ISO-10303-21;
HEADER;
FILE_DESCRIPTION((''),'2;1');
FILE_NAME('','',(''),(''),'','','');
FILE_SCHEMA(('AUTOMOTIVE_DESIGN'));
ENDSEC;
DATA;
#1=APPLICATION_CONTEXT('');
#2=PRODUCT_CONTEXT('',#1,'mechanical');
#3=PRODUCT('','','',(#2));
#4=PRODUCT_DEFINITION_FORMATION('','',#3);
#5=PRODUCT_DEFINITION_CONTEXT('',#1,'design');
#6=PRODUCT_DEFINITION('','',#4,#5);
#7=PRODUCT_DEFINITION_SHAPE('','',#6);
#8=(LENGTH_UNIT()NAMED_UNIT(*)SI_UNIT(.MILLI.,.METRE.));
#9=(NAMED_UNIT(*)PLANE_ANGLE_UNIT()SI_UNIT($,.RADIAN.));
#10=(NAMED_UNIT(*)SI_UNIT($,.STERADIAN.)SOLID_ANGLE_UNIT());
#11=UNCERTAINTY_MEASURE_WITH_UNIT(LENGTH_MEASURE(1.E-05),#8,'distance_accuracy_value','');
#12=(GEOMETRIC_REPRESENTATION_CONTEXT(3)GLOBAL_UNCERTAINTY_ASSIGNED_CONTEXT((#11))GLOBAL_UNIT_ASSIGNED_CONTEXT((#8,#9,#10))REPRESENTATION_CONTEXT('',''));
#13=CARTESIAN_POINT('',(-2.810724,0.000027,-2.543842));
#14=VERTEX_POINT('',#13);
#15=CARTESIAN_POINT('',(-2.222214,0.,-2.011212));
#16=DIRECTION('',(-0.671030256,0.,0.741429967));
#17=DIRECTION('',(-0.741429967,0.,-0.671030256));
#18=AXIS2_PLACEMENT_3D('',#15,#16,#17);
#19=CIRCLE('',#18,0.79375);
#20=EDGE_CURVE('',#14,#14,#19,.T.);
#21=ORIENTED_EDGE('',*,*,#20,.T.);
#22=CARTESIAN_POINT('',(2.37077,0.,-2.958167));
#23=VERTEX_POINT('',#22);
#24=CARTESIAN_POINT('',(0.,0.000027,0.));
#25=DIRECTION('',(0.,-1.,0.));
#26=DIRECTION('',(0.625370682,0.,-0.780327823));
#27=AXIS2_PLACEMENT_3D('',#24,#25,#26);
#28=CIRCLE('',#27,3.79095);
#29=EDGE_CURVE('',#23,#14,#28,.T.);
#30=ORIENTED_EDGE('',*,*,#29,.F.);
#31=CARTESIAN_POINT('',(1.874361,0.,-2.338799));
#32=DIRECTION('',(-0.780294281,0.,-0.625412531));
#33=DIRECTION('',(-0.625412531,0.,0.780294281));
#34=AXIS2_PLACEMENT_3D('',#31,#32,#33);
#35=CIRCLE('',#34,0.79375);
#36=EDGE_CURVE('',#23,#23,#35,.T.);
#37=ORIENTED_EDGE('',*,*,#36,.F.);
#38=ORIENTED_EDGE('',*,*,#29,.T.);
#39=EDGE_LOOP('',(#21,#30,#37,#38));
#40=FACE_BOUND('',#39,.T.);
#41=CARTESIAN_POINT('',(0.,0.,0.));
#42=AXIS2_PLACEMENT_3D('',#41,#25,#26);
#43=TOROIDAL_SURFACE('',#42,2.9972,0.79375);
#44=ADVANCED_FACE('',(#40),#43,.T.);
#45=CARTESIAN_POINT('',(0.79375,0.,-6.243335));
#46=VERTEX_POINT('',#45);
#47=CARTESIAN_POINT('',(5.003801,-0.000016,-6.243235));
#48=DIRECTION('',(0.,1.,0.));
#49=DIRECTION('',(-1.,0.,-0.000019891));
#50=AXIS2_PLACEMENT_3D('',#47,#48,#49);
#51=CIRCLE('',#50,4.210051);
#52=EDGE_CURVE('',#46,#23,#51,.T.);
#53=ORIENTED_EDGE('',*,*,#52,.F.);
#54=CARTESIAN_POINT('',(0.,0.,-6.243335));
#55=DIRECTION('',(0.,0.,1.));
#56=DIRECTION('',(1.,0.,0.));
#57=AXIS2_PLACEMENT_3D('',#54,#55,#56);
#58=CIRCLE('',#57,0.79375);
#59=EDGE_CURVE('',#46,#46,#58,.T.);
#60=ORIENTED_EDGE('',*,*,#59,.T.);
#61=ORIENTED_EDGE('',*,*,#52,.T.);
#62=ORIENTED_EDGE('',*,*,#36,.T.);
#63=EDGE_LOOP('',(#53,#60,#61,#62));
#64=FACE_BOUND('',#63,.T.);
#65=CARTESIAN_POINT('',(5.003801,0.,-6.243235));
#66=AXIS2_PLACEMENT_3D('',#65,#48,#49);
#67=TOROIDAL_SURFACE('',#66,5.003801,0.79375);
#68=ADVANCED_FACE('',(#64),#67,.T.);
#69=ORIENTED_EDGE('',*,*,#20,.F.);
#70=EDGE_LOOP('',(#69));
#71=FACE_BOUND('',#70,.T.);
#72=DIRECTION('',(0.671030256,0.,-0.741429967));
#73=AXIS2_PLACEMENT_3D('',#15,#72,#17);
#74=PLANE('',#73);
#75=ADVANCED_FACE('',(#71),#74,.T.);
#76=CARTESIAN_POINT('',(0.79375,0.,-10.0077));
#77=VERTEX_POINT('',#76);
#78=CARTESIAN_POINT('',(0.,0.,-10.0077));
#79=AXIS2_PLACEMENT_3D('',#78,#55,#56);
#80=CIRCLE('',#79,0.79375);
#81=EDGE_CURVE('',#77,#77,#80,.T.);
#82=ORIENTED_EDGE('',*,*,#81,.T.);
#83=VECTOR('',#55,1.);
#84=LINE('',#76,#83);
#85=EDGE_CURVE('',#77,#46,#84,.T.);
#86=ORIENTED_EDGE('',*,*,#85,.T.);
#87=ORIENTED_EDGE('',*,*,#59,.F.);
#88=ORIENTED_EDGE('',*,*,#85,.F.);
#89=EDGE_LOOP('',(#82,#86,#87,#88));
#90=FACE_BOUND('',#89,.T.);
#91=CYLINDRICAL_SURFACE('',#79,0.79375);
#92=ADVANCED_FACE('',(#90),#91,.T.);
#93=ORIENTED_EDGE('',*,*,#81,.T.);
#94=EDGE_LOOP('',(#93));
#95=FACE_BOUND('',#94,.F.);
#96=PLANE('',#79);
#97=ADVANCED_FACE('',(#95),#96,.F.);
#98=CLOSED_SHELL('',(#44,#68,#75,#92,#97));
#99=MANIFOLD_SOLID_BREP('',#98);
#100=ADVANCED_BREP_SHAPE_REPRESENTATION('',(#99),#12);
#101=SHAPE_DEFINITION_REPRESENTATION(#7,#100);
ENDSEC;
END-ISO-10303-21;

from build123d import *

# Parameters (mm, degrees)
F2_R = 0.79375


with BuildPart() as f3:
    # F3: sweep along a path in F0
    with BuildLine(Plane.XZ) as f3_path:
        Line((0, -10.0076), (0, -6.243235))
        ThreePointArc((0, -6.243235), (0.492885, -4.077673), (1.874439, -2.338736))
        ThreePointArc((1.874439, -2.338736), (0.238812, 2.987671), (-2.222147, -2.011286))
    # F2 (on offset) → F3 (sweep)
    with BuildSketch(Plane.XY.offset(-10.0077)):
        Circle(F2_R)
    sweep(path=f3_path.line)


solid = f3.part
